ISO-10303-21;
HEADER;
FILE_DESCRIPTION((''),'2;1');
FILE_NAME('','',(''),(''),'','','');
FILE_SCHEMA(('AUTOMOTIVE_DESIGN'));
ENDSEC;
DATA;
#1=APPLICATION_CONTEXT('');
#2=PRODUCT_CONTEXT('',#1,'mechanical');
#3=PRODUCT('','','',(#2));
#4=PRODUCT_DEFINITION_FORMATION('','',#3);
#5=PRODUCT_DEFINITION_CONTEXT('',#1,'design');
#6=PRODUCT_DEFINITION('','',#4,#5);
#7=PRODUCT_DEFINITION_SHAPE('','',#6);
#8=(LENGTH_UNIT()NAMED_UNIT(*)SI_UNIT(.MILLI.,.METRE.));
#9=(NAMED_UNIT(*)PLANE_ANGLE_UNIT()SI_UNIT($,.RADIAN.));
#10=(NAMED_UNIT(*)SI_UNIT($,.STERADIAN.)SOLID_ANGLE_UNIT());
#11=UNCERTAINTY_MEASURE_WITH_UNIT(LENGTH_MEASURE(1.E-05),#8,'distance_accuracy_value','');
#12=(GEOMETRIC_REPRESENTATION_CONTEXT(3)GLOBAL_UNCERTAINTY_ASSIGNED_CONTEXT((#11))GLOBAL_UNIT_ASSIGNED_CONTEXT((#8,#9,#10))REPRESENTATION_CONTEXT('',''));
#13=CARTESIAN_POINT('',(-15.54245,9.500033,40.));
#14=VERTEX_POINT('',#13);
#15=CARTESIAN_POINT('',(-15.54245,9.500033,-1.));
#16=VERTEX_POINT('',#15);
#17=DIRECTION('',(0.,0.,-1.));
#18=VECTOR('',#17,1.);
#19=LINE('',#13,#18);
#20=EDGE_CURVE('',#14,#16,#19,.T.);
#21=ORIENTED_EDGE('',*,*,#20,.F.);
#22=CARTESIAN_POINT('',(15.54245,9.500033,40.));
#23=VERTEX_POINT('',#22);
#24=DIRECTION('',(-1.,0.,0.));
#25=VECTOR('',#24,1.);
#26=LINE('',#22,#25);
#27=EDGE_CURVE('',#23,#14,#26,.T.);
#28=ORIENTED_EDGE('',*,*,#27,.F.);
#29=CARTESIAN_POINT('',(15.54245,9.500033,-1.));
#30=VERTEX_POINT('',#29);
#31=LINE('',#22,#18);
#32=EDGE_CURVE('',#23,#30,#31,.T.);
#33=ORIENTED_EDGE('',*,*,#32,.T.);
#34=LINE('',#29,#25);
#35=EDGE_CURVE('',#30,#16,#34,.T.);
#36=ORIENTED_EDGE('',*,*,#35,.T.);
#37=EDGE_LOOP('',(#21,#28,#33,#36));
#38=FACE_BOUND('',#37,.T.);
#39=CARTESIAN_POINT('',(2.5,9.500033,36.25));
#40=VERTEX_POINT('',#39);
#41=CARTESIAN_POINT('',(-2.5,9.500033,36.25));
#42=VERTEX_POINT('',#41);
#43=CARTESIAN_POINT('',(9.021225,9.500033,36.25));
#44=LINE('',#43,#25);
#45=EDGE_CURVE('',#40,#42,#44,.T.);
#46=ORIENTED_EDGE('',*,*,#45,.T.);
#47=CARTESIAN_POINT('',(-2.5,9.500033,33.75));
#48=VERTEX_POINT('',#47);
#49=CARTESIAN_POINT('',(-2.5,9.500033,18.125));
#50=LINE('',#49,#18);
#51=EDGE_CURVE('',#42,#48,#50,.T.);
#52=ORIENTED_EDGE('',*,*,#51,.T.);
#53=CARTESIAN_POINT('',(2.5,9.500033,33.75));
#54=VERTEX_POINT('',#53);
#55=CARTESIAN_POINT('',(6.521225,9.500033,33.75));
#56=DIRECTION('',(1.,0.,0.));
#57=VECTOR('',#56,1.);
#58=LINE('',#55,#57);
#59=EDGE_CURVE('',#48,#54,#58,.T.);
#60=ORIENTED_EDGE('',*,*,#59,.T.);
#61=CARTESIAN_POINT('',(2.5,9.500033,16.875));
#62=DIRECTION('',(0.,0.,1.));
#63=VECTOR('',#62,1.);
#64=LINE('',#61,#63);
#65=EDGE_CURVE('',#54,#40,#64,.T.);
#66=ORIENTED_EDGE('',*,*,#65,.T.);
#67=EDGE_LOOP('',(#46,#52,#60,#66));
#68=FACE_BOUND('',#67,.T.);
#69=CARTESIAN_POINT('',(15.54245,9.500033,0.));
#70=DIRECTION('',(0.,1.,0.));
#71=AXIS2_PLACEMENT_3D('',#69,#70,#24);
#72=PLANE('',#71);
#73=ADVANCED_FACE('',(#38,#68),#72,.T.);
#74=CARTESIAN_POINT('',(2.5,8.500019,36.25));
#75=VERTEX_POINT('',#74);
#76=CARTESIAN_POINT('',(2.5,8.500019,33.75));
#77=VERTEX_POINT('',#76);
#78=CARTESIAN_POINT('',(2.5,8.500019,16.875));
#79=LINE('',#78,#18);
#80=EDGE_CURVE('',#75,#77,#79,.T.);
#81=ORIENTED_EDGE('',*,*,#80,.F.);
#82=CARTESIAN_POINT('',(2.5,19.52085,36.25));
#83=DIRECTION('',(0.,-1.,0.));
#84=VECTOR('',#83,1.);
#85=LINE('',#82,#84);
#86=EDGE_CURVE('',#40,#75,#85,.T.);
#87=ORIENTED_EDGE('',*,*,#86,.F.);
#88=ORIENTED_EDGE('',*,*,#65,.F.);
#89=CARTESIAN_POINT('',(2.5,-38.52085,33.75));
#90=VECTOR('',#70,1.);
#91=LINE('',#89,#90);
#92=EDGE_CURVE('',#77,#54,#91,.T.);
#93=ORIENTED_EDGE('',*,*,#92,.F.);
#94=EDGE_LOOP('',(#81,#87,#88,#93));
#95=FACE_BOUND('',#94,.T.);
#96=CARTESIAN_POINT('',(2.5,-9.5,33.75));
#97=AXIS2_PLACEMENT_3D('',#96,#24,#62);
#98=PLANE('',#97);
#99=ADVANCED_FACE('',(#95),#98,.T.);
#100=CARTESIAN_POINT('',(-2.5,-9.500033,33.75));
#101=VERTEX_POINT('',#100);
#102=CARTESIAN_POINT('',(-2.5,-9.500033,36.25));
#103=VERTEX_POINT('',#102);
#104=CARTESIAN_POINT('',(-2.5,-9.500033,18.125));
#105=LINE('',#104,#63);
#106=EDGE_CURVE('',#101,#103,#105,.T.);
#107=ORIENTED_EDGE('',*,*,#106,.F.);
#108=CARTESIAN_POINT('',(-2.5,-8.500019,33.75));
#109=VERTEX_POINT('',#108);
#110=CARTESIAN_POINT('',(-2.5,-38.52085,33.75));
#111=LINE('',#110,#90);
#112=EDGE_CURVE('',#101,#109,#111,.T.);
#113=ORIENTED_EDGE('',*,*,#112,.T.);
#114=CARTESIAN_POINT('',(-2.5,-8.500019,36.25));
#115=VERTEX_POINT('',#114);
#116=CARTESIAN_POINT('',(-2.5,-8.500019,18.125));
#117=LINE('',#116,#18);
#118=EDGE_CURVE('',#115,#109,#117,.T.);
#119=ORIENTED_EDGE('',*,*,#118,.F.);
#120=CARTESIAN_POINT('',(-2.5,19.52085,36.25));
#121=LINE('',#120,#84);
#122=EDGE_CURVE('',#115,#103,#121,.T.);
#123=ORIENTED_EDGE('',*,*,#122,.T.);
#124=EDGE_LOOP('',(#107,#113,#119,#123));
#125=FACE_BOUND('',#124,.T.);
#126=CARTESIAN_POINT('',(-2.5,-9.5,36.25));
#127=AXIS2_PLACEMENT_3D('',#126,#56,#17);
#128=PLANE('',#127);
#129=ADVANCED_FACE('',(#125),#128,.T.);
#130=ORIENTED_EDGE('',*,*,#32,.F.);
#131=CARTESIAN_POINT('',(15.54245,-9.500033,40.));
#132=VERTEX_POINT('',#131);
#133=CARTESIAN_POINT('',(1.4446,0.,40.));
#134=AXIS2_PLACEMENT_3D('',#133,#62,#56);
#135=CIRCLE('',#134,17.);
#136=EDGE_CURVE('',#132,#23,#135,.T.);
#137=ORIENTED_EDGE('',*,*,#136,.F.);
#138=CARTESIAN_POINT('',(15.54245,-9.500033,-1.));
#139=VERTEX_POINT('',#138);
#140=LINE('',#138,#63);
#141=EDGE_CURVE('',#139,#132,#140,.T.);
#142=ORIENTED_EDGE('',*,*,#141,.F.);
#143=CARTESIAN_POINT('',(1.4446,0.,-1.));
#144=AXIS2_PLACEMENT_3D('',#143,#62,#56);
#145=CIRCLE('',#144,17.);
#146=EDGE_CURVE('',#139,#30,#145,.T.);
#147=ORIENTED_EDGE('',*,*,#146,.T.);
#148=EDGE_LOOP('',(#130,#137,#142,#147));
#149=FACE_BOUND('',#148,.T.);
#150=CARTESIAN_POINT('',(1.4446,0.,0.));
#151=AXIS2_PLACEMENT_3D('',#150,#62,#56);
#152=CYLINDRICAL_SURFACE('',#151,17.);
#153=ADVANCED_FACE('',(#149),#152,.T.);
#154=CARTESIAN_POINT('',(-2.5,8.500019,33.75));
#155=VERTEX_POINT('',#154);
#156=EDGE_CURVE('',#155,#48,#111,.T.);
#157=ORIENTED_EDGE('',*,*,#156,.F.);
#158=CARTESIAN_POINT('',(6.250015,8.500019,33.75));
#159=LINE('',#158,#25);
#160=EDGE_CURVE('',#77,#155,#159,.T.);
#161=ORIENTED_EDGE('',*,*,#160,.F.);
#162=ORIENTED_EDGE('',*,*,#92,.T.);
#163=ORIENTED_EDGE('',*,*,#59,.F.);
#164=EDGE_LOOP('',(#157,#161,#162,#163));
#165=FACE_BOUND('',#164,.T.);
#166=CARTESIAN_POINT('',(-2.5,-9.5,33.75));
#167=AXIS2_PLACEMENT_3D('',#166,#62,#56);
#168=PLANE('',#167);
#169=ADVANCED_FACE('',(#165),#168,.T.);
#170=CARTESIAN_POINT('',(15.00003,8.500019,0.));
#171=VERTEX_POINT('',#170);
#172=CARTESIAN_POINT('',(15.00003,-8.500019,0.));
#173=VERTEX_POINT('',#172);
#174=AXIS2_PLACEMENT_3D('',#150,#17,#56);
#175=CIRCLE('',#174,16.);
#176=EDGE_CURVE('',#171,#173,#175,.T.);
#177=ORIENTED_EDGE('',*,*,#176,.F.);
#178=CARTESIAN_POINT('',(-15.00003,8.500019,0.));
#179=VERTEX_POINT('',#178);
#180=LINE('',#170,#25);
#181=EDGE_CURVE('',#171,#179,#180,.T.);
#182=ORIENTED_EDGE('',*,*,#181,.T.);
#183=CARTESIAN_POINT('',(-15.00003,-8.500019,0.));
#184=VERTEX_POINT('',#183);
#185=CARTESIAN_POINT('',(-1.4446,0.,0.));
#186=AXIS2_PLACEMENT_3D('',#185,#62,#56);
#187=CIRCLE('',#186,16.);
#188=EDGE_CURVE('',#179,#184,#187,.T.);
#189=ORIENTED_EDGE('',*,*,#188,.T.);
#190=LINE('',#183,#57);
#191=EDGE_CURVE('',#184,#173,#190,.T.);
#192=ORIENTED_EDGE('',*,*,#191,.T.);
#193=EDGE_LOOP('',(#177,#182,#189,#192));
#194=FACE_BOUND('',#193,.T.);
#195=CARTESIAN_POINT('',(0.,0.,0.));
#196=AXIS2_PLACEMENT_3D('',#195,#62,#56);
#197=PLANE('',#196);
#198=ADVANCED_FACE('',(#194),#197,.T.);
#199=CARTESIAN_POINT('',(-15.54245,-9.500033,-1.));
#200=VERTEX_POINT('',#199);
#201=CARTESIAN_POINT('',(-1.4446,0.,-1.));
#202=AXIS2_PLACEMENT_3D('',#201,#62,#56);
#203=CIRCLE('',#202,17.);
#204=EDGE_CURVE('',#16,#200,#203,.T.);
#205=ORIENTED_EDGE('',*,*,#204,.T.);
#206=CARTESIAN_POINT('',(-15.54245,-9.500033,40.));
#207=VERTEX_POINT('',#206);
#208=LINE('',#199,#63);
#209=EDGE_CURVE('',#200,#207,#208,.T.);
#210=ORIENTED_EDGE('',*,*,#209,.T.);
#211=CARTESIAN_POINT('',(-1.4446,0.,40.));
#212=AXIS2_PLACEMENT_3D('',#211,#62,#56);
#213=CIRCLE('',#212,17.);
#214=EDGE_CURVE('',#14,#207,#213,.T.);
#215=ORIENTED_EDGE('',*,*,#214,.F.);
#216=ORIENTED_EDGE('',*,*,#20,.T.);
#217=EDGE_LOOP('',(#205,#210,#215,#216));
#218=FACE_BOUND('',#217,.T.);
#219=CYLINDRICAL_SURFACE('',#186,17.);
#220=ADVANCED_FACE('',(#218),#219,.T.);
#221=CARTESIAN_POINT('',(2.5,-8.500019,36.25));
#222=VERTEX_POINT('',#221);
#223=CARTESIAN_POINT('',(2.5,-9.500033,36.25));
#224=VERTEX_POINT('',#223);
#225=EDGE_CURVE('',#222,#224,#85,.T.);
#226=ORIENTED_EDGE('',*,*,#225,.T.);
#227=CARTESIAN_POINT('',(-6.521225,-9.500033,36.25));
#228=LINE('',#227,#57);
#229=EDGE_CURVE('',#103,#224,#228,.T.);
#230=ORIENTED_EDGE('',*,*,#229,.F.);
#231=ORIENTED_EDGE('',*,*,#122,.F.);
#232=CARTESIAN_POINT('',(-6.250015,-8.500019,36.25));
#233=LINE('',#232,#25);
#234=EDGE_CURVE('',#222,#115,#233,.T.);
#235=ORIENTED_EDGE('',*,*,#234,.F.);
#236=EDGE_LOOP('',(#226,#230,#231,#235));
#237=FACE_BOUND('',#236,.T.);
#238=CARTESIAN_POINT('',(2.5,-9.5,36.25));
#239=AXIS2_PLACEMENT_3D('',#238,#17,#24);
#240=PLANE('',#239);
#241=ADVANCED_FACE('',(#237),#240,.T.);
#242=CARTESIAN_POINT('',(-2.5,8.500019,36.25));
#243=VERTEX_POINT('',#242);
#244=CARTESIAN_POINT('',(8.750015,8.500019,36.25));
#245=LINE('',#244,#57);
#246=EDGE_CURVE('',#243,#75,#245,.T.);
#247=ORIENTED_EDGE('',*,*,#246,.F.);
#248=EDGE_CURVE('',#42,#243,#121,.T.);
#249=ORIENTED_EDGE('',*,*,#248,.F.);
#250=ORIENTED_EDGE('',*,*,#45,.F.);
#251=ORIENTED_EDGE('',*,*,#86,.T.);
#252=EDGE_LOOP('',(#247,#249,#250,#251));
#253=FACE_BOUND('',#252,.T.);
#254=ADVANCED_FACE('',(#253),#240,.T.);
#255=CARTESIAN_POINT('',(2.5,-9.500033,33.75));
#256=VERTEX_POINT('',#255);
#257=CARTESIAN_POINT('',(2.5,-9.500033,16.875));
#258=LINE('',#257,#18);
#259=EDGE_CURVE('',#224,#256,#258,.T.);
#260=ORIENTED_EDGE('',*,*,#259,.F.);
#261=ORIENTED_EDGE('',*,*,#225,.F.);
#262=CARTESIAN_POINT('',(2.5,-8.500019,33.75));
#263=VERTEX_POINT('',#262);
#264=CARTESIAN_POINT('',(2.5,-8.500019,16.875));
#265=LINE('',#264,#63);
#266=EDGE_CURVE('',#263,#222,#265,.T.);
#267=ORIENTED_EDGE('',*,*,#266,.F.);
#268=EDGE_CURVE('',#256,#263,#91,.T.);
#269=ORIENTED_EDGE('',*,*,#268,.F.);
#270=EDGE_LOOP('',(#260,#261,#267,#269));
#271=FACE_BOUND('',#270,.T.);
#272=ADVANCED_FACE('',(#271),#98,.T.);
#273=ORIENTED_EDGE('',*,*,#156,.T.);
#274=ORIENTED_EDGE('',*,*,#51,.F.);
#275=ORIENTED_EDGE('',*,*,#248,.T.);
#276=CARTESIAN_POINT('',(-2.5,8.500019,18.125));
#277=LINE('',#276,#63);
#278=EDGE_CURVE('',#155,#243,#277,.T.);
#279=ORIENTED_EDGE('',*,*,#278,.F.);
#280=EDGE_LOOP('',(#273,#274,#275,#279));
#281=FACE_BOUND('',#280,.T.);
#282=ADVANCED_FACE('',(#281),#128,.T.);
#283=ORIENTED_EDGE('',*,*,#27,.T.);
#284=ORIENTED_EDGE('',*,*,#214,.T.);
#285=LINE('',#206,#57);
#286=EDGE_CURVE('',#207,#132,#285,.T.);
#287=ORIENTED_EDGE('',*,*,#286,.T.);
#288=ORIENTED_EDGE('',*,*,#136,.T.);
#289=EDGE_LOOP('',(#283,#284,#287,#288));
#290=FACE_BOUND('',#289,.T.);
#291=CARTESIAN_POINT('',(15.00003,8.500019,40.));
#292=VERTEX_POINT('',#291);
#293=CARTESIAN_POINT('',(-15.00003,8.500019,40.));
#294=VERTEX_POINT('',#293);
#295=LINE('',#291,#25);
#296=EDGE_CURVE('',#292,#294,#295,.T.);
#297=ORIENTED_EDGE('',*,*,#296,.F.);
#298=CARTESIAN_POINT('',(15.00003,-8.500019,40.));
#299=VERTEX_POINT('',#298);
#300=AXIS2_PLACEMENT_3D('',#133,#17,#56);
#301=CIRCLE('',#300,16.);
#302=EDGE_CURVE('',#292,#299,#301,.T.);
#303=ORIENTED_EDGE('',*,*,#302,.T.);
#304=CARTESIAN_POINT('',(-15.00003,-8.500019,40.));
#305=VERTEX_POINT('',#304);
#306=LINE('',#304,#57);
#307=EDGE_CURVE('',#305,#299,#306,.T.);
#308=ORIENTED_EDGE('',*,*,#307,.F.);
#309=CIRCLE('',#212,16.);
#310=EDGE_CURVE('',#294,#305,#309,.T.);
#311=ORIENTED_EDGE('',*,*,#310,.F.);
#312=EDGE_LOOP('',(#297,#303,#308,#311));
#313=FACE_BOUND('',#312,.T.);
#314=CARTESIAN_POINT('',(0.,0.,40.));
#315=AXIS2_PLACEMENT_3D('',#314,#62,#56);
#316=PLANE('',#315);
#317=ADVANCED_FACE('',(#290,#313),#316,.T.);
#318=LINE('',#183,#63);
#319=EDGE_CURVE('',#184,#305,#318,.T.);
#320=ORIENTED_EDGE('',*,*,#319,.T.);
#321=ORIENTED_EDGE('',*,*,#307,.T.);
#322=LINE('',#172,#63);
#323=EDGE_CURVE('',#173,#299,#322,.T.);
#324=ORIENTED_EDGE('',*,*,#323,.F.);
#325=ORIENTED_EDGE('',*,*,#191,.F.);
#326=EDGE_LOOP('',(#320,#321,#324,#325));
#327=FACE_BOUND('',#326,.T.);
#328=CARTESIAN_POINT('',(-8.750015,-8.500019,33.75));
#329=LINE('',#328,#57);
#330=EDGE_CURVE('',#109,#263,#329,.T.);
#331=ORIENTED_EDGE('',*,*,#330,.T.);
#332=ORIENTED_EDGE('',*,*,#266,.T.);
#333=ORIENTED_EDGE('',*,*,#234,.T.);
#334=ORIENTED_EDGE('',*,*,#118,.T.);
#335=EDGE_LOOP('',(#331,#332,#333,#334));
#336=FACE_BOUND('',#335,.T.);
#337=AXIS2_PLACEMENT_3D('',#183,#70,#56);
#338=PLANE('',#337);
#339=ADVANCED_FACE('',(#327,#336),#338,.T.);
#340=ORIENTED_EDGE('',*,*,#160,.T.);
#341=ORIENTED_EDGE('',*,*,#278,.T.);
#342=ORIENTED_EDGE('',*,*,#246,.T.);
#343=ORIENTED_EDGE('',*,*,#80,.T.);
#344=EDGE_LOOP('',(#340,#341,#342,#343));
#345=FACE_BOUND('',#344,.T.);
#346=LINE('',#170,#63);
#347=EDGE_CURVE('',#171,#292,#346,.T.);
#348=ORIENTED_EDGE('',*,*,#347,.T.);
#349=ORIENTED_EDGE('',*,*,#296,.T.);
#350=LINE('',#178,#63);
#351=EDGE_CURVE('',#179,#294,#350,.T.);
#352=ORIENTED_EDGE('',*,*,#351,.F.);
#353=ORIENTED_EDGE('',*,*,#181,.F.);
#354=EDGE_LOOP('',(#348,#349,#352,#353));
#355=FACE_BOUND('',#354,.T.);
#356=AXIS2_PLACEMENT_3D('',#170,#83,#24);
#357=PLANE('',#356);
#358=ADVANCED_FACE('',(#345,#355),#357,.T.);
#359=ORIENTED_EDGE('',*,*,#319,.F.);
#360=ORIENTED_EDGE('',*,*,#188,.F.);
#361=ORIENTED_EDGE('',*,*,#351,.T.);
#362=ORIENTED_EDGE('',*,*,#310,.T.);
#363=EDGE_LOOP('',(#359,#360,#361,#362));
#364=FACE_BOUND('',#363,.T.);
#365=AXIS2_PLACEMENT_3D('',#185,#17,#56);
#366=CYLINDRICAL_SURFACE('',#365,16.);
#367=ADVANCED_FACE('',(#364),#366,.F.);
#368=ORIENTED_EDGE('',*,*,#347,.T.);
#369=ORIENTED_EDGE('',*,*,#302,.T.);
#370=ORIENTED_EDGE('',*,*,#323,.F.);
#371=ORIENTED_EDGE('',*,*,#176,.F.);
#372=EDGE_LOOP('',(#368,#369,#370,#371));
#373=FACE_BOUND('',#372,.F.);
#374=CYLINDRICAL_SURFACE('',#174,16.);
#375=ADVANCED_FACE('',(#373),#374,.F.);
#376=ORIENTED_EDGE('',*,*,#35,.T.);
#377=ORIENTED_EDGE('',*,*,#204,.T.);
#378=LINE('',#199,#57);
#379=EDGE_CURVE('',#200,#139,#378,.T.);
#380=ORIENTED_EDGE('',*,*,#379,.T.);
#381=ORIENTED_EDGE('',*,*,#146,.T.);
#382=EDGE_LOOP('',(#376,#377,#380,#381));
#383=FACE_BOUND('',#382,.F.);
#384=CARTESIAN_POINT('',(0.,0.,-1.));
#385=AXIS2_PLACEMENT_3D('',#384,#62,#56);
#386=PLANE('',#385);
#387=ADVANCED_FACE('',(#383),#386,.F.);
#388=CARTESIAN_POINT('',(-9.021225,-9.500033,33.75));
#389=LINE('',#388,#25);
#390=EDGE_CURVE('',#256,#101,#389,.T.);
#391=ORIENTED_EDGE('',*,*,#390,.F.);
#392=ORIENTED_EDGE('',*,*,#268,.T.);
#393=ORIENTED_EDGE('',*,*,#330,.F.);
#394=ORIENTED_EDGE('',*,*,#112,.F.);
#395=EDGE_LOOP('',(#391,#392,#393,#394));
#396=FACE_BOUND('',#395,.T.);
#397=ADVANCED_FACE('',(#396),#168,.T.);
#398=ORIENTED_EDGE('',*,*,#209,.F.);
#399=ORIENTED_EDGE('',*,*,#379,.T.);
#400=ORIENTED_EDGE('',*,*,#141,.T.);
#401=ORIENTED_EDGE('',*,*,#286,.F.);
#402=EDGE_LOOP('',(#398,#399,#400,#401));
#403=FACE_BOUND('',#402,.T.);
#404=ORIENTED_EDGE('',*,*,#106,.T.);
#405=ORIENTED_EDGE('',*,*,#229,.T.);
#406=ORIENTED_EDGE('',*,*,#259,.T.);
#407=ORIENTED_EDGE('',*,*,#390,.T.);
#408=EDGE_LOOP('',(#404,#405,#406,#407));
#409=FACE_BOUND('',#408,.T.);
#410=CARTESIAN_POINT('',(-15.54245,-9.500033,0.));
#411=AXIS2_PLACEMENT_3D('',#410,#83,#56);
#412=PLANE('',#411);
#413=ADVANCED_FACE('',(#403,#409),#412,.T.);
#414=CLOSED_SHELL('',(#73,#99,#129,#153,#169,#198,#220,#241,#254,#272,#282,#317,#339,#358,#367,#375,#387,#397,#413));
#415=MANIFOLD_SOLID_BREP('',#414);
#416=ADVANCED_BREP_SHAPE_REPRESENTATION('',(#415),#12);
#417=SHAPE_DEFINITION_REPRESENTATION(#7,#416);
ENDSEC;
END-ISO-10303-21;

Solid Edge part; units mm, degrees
sketch "Sketch1" plane through (0, 0, 0) normal (0, 0, 1) x (1, 0, 0)
  arc A0 (-15.5424, 9.5) -> (-15.5424, -9.5) centre (-1.4446, 0) ccw
  line L0 (-15.5424, -9.5) -> (15.5424, -9.5)
  arc A1 (15.5424, -9.5) -> (15.5424, 9.5) centre (1.4446, 0) ccw
  line L1 (15.5424, 9.5) -> (-15.5424, 9.5)
extrude "Protrusion1" add sketch "Sketch1" against normal blind 1
sketch "Sketch2" plane through (0, 0, 0) normal (0, 0, 1) x (1, 0, 0)
  arc A0 (-15.5424, 9.5) -> (-15.5424, -9.5) centre (-1.4446, 0) ccw
  line L0 (-15.5424, -9.5) -> (15.5424, -9.5)
  arc A1 (15.5424, -9.5) -> (15.5424, 9.5) centre (1.4446, 0) ccw
  line L1 (15.5424, 9.5) -> (-15.5424, 9.5)
  line L2 (-15, -8.5) -> (15, -8.5)
  arc A2 (15, 8.5) -> (15, -8.5) centre (1.4446, 0) cw
  line L3 (15, 8.5) -> (-15, 8.5)
  arc A3 (-15, 8.5) -> (-15, -8.5) centre (-1.4446, 0) ccw
  dimension "D1" = 1
extrude "ProtrusioneEstrusa_2" add sketch "Sketch2" along normal blind 40
sketch "Sketch3" plane through (0, -9.5, 19.5) normal (0, -1, 0) x (1, 0, 0)
  line L0 (2.5, 14.25) -> (2.5, 16.75)
  line L1 (2.5, 16.75) -> (-2.5, 16.75)
  line L2 (-2.5, 16.75) -> (-2.5, 14.25)
  line L3 (-2.5, 14.25) -> (2.5, 14.25)
extrude "ScavoEstrusione_1" cut sketch "Sketch3" along normal mid plane 58.0417
